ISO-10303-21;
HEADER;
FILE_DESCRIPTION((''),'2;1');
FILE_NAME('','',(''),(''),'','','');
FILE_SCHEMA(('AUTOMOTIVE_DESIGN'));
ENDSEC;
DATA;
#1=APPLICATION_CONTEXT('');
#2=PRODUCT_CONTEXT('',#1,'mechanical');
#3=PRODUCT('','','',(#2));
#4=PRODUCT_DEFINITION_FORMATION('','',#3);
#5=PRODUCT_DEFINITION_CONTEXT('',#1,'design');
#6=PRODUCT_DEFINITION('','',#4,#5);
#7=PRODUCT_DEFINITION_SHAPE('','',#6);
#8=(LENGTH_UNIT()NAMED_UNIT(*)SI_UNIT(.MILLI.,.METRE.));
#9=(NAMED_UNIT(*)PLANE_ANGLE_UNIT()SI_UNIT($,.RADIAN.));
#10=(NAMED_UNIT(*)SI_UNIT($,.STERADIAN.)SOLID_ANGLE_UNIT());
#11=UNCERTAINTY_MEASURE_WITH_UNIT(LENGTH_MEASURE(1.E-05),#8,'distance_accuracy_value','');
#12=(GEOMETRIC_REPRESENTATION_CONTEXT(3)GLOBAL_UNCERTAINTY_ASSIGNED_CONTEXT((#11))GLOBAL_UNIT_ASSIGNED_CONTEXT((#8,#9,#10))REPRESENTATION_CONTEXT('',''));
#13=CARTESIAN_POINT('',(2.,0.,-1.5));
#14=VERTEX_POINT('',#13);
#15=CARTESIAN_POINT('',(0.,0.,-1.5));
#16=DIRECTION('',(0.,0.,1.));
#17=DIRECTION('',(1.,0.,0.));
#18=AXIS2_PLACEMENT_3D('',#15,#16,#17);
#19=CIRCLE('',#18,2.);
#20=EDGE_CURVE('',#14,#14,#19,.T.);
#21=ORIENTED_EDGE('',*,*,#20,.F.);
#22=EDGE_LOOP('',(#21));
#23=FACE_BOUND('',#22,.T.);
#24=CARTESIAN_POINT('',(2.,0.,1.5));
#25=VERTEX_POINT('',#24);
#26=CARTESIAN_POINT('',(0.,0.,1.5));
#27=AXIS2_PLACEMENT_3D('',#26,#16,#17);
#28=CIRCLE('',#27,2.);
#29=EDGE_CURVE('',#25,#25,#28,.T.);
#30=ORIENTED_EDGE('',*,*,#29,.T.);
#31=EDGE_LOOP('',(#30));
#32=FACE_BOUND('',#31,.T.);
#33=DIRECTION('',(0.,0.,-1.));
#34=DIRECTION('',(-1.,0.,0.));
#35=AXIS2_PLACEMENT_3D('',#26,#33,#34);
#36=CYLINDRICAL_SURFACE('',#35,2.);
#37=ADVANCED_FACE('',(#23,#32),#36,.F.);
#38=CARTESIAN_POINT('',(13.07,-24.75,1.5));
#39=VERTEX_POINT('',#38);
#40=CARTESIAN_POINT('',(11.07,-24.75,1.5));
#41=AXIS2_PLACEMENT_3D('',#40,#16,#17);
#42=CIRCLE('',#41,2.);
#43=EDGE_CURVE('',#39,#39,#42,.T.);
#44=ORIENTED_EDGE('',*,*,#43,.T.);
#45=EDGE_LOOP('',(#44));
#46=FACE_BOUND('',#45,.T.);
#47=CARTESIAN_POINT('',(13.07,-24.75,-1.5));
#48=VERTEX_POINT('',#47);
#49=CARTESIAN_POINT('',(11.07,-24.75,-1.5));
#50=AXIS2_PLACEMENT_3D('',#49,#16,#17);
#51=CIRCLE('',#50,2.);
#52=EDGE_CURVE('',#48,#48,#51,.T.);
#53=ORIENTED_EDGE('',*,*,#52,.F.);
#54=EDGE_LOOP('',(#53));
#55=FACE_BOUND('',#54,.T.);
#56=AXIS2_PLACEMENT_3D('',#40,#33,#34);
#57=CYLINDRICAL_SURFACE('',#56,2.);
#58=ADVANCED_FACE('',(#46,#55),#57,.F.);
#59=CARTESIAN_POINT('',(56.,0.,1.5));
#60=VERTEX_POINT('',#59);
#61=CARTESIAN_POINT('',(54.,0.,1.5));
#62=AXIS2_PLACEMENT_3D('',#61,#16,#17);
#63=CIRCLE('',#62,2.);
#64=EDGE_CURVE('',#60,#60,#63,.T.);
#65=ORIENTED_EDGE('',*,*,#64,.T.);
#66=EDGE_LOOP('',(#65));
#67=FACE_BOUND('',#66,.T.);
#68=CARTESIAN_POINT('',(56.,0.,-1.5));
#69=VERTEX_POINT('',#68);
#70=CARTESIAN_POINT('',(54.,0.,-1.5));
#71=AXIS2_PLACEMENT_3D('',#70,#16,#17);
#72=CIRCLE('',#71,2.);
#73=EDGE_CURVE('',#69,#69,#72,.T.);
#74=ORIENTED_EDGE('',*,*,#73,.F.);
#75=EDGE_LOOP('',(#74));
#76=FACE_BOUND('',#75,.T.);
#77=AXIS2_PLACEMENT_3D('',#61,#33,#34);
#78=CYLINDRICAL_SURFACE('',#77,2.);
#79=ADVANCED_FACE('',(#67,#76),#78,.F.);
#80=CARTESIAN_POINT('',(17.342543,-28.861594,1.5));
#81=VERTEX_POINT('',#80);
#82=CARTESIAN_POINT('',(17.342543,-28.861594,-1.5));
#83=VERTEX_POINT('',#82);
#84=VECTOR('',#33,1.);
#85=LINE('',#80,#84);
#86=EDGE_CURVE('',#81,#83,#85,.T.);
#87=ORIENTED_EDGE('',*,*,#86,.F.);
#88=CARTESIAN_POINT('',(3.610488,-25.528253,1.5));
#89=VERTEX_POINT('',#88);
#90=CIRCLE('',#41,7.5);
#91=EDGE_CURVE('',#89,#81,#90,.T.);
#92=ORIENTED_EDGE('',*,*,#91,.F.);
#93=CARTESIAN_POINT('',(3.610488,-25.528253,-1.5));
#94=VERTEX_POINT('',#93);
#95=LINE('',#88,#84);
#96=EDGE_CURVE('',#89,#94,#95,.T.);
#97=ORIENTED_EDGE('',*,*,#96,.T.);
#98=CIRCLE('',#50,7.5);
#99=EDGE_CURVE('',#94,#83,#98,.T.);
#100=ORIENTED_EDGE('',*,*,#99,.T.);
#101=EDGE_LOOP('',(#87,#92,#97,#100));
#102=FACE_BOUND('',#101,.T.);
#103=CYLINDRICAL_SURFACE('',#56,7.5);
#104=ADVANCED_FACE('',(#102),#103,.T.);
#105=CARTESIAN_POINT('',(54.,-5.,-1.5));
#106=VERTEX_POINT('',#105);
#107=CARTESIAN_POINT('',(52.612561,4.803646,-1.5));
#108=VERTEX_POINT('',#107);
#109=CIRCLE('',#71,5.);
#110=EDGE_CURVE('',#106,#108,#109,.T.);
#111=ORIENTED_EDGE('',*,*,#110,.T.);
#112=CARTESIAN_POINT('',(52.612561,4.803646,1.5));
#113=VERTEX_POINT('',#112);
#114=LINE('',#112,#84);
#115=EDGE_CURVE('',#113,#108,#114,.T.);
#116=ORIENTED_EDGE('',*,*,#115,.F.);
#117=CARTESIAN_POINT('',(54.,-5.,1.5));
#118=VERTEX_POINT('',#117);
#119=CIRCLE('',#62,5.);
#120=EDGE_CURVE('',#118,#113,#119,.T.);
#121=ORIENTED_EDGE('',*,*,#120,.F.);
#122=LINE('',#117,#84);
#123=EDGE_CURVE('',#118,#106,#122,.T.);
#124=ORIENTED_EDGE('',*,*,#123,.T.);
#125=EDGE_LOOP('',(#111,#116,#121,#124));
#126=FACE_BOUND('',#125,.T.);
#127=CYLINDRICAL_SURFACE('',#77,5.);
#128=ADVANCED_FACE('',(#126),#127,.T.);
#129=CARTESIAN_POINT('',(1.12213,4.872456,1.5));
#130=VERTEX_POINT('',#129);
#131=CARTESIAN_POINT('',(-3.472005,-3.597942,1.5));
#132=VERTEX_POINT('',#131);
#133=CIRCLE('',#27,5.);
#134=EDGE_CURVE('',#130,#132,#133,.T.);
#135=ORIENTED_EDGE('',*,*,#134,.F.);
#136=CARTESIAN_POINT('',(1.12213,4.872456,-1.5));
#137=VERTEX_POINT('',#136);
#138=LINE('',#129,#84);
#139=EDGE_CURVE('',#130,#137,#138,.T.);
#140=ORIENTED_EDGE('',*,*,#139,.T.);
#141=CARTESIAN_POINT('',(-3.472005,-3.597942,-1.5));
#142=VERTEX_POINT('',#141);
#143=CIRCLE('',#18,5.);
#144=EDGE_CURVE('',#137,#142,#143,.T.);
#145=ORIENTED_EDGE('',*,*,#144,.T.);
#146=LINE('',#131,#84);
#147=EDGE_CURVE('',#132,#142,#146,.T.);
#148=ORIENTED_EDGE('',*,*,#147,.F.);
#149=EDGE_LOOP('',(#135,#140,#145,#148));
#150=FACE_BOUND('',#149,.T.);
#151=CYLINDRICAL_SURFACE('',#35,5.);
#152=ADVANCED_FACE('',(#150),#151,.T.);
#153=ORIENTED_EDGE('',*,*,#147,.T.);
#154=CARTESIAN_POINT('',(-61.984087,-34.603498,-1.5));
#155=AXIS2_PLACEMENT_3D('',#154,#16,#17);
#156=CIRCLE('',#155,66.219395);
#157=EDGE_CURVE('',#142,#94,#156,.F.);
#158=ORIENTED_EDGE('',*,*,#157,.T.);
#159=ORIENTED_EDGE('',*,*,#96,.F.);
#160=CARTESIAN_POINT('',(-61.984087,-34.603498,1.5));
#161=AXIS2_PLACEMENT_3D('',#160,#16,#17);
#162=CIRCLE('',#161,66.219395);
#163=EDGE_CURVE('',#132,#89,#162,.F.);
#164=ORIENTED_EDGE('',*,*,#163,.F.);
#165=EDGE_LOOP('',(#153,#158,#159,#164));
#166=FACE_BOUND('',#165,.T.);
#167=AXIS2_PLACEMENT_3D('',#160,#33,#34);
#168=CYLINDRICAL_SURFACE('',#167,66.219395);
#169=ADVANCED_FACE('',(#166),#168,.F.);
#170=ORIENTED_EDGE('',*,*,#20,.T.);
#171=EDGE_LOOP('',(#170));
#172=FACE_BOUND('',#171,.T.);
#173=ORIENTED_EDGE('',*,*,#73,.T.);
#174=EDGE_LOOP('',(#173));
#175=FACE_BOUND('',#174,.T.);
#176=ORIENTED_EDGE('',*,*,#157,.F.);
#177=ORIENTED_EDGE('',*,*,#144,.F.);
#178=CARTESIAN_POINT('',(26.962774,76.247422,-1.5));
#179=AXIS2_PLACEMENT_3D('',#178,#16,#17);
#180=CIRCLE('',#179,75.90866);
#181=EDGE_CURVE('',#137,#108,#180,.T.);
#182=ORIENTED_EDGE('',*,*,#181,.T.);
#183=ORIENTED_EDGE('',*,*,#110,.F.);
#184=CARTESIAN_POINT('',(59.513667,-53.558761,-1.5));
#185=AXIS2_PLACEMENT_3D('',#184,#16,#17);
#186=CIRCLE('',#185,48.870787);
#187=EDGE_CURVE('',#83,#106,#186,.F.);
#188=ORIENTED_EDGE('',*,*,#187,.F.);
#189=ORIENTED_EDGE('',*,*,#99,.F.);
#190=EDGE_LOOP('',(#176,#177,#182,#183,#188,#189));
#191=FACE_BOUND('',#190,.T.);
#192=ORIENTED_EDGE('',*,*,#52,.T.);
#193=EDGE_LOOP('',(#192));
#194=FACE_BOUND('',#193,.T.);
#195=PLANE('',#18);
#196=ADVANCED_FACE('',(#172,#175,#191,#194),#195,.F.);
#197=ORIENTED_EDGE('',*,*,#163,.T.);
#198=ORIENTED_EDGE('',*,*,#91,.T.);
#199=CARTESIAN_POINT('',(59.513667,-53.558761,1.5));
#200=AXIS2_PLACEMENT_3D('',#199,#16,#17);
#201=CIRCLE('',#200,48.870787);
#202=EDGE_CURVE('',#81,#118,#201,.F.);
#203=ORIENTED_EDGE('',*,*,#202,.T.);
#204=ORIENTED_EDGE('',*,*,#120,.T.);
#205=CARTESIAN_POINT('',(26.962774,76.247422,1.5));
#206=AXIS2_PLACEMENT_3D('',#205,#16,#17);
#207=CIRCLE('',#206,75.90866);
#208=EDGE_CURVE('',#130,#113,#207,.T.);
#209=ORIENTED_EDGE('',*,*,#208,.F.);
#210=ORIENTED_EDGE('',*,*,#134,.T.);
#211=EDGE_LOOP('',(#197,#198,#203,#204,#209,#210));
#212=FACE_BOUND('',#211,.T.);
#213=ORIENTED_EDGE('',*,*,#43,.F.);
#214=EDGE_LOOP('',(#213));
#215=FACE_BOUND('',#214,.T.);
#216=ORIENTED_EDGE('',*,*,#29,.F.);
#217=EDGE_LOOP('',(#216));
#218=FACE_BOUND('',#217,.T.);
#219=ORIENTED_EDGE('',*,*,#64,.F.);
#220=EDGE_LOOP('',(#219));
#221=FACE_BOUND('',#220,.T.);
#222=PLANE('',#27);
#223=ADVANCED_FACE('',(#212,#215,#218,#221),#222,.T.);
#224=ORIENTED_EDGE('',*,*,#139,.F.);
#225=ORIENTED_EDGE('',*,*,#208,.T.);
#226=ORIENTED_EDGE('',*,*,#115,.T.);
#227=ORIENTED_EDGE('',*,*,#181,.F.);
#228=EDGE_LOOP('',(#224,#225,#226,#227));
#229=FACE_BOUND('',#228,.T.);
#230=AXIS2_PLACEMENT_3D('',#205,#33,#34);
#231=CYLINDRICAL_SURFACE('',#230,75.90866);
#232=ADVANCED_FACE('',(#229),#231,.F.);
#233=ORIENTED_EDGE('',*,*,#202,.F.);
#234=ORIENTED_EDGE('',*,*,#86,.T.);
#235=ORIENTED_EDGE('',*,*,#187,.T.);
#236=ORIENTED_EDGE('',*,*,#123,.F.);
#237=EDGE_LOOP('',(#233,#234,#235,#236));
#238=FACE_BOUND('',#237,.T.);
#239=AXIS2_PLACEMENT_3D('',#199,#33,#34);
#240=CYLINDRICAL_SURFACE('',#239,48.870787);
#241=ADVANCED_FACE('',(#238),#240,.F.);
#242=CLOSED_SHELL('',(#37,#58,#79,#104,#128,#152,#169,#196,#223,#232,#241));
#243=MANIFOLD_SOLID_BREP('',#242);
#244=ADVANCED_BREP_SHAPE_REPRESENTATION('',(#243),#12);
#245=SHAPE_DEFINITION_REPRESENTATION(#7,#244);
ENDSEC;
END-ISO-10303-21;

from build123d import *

# Parameters (mm, degrees)
SKETCH_1_R      = 2
EXTRUDE_1_DEPTH = 1.5


with BuildPart() as part:
    # 草图1 → 凸台-拉伸1 (new, symmetric)
    with BuildSketch(Plane.XY):
        with BuildLine():
            ThreePointArc((52.051282327, 4.604617186), (27.130077256, 0.338946041), (2.190311245, 4.494723201))
            ThreePointArc((2.190311245, 4.494723201), (1.655516013, 4.681596435), (1.122130296, 4.872455603))
            ThreePointArc((1.122130296, 4.872455603), (-4.395154703, 2.383823638), (-3.472004537, -3.597941702))
            ThreePointArc((-3.472004537, -3.597941702), (1.030595655, -14.252623677), (3.610487783, -25.528252843))
            ThreePointArc((3.610487783, -25.528252843), (9.300815316, -32.038345872), (17.342543053, -28.861593809))
            ThreePointArc((17.342543053, -28.861593809), (17.509155318, -28.5792742), (17.677657577, -28.298078543))
            ThreePointArc((17.677657577, -28.298078543), (33.128101274, -12.422940849), (54, -5))
            ThreePointArc((54, -5), (58.950668102, 0.700632103), (52.612561199, 4.803645863))
            ThreePointArc((52.612561199, 4.803645863), (52.332116942, 4.703581101), (52.051282327, 4.604617186))
        make_face()
        with Locations((11.07, -24.75)):
            Circle(SKETCH_1_R, mode=Mode.SUBTRACT)
        Circle(SKETCH_1_R, mode=Mode.SUBTRACT)
        with Locations((54, 0)):
            Circle(SKETCH_1_R, mode=Mode.SUBTRACT)
    extrude(amount=EXTRUDE_1_DEPTH, both=True)


solid = part.part
